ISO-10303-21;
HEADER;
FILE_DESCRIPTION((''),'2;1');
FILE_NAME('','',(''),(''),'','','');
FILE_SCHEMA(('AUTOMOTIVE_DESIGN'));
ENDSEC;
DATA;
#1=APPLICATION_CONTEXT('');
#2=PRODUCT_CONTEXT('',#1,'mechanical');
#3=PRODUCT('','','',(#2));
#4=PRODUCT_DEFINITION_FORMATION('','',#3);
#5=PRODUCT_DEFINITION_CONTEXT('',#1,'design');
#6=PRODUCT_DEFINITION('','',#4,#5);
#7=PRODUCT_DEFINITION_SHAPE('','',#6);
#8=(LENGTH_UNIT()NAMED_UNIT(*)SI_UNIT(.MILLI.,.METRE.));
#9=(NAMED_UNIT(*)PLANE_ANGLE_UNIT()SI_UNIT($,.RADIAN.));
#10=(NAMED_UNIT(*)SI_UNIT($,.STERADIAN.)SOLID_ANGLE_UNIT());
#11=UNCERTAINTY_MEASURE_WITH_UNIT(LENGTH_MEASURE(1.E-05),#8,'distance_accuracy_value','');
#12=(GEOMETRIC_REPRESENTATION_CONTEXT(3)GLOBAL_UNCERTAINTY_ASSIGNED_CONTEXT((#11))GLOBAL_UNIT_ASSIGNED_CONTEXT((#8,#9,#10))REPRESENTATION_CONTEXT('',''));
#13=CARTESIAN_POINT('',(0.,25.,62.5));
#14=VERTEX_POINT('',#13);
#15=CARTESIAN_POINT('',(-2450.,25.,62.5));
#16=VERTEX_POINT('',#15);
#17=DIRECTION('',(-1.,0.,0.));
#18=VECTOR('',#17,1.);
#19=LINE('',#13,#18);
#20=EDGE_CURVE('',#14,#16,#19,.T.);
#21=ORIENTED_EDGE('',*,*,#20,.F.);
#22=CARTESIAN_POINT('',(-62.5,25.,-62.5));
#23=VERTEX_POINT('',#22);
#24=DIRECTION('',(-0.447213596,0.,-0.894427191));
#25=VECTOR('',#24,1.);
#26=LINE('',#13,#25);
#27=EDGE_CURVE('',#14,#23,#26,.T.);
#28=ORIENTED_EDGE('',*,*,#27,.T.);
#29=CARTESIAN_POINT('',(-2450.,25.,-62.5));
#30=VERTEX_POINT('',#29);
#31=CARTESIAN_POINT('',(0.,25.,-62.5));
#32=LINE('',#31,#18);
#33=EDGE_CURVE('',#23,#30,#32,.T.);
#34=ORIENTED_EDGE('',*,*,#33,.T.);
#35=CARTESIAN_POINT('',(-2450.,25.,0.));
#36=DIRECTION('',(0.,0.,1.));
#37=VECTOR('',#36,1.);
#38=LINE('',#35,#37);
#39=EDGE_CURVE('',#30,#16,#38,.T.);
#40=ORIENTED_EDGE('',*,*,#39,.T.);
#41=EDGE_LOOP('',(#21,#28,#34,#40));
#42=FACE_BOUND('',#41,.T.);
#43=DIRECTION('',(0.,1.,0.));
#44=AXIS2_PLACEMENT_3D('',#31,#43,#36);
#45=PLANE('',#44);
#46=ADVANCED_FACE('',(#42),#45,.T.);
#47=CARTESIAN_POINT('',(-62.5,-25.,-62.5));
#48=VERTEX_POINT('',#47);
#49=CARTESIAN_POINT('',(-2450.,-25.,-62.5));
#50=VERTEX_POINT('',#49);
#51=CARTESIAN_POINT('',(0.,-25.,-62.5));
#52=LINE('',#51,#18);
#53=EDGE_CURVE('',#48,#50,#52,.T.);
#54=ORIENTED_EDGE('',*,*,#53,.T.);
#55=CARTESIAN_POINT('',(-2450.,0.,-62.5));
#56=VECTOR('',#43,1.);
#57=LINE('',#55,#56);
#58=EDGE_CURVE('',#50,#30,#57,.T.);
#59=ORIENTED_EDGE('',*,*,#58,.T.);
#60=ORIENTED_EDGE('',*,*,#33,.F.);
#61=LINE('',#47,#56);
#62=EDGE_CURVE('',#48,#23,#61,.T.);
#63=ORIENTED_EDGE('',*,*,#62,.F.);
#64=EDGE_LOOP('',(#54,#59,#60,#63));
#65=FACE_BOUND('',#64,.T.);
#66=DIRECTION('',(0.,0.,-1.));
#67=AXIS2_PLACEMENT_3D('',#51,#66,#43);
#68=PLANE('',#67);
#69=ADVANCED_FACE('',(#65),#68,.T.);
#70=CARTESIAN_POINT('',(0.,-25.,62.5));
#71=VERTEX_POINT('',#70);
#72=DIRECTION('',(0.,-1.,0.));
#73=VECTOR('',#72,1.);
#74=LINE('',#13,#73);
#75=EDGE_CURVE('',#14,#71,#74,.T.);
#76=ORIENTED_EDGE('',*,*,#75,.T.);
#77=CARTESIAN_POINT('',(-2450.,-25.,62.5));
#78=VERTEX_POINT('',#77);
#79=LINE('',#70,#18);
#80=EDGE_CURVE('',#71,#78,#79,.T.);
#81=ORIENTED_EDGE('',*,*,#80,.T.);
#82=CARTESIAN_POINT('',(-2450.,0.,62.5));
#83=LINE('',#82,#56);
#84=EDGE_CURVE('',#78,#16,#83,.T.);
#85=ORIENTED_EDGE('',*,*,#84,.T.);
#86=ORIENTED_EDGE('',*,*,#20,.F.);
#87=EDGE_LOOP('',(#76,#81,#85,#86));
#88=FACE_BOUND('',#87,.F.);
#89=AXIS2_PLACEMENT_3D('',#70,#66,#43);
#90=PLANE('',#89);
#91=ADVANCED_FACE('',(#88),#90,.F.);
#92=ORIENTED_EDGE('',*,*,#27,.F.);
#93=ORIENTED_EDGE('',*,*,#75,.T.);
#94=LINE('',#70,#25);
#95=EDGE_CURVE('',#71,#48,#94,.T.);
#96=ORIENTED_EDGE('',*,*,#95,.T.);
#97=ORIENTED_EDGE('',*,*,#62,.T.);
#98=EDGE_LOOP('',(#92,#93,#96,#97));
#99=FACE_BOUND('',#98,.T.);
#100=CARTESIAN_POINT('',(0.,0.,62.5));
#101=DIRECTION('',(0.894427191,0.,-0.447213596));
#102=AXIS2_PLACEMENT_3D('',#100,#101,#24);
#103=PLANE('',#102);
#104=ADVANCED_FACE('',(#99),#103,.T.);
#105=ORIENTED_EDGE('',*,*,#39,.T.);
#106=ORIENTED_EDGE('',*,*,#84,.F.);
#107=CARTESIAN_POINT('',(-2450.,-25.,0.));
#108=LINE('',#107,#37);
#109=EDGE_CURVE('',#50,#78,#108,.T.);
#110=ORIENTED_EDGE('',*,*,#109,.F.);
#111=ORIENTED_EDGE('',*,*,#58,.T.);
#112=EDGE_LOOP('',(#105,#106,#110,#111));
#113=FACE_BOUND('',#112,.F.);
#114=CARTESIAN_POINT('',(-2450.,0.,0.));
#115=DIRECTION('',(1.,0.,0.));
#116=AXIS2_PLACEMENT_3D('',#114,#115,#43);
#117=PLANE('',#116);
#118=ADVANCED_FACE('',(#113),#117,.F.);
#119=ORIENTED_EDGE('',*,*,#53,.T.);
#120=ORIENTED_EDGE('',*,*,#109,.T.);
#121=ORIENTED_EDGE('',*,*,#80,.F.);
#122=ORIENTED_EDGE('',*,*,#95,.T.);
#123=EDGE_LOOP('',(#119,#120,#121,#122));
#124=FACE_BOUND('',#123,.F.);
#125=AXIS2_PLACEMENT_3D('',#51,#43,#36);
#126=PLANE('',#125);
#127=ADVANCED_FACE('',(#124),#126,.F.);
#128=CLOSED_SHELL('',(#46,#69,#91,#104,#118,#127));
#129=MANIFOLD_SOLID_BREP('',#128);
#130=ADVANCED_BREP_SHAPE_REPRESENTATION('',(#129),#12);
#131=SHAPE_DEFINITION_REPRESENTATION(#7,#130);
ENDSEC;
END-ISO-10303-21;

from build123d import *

# Parameters (mm, degrees)
F0_W          = 50
F0_H          = 125
F1_DEPTH      = 2450
F3_DEPTH      = 25
F3_DEPTH_BACK = 25


with BuildPart() as f1:
    # F0 (on Right) → F1 (new body)
    with BuildSketch(Plane.YZ):
        Rectangle(F0_W, F0_H)
    extrude(amount=-F1_DEPTH)

    # F2 (on Front) → F3 (cut, two sides)
    with BuildSketch(Plane.XZ) as f3_sk:
        Polygon((0, -62.5), (0, 62.5), (-62.5, -62.5), align=None)
    extrude(amount=-F3_DEPTH, mode=Mode.SUBTRACT)
    extrude(f3_sk.sketch, amount=F3_DEPTH_BACK, mode=Mode.SUBTRACT)


solid = f1.part
